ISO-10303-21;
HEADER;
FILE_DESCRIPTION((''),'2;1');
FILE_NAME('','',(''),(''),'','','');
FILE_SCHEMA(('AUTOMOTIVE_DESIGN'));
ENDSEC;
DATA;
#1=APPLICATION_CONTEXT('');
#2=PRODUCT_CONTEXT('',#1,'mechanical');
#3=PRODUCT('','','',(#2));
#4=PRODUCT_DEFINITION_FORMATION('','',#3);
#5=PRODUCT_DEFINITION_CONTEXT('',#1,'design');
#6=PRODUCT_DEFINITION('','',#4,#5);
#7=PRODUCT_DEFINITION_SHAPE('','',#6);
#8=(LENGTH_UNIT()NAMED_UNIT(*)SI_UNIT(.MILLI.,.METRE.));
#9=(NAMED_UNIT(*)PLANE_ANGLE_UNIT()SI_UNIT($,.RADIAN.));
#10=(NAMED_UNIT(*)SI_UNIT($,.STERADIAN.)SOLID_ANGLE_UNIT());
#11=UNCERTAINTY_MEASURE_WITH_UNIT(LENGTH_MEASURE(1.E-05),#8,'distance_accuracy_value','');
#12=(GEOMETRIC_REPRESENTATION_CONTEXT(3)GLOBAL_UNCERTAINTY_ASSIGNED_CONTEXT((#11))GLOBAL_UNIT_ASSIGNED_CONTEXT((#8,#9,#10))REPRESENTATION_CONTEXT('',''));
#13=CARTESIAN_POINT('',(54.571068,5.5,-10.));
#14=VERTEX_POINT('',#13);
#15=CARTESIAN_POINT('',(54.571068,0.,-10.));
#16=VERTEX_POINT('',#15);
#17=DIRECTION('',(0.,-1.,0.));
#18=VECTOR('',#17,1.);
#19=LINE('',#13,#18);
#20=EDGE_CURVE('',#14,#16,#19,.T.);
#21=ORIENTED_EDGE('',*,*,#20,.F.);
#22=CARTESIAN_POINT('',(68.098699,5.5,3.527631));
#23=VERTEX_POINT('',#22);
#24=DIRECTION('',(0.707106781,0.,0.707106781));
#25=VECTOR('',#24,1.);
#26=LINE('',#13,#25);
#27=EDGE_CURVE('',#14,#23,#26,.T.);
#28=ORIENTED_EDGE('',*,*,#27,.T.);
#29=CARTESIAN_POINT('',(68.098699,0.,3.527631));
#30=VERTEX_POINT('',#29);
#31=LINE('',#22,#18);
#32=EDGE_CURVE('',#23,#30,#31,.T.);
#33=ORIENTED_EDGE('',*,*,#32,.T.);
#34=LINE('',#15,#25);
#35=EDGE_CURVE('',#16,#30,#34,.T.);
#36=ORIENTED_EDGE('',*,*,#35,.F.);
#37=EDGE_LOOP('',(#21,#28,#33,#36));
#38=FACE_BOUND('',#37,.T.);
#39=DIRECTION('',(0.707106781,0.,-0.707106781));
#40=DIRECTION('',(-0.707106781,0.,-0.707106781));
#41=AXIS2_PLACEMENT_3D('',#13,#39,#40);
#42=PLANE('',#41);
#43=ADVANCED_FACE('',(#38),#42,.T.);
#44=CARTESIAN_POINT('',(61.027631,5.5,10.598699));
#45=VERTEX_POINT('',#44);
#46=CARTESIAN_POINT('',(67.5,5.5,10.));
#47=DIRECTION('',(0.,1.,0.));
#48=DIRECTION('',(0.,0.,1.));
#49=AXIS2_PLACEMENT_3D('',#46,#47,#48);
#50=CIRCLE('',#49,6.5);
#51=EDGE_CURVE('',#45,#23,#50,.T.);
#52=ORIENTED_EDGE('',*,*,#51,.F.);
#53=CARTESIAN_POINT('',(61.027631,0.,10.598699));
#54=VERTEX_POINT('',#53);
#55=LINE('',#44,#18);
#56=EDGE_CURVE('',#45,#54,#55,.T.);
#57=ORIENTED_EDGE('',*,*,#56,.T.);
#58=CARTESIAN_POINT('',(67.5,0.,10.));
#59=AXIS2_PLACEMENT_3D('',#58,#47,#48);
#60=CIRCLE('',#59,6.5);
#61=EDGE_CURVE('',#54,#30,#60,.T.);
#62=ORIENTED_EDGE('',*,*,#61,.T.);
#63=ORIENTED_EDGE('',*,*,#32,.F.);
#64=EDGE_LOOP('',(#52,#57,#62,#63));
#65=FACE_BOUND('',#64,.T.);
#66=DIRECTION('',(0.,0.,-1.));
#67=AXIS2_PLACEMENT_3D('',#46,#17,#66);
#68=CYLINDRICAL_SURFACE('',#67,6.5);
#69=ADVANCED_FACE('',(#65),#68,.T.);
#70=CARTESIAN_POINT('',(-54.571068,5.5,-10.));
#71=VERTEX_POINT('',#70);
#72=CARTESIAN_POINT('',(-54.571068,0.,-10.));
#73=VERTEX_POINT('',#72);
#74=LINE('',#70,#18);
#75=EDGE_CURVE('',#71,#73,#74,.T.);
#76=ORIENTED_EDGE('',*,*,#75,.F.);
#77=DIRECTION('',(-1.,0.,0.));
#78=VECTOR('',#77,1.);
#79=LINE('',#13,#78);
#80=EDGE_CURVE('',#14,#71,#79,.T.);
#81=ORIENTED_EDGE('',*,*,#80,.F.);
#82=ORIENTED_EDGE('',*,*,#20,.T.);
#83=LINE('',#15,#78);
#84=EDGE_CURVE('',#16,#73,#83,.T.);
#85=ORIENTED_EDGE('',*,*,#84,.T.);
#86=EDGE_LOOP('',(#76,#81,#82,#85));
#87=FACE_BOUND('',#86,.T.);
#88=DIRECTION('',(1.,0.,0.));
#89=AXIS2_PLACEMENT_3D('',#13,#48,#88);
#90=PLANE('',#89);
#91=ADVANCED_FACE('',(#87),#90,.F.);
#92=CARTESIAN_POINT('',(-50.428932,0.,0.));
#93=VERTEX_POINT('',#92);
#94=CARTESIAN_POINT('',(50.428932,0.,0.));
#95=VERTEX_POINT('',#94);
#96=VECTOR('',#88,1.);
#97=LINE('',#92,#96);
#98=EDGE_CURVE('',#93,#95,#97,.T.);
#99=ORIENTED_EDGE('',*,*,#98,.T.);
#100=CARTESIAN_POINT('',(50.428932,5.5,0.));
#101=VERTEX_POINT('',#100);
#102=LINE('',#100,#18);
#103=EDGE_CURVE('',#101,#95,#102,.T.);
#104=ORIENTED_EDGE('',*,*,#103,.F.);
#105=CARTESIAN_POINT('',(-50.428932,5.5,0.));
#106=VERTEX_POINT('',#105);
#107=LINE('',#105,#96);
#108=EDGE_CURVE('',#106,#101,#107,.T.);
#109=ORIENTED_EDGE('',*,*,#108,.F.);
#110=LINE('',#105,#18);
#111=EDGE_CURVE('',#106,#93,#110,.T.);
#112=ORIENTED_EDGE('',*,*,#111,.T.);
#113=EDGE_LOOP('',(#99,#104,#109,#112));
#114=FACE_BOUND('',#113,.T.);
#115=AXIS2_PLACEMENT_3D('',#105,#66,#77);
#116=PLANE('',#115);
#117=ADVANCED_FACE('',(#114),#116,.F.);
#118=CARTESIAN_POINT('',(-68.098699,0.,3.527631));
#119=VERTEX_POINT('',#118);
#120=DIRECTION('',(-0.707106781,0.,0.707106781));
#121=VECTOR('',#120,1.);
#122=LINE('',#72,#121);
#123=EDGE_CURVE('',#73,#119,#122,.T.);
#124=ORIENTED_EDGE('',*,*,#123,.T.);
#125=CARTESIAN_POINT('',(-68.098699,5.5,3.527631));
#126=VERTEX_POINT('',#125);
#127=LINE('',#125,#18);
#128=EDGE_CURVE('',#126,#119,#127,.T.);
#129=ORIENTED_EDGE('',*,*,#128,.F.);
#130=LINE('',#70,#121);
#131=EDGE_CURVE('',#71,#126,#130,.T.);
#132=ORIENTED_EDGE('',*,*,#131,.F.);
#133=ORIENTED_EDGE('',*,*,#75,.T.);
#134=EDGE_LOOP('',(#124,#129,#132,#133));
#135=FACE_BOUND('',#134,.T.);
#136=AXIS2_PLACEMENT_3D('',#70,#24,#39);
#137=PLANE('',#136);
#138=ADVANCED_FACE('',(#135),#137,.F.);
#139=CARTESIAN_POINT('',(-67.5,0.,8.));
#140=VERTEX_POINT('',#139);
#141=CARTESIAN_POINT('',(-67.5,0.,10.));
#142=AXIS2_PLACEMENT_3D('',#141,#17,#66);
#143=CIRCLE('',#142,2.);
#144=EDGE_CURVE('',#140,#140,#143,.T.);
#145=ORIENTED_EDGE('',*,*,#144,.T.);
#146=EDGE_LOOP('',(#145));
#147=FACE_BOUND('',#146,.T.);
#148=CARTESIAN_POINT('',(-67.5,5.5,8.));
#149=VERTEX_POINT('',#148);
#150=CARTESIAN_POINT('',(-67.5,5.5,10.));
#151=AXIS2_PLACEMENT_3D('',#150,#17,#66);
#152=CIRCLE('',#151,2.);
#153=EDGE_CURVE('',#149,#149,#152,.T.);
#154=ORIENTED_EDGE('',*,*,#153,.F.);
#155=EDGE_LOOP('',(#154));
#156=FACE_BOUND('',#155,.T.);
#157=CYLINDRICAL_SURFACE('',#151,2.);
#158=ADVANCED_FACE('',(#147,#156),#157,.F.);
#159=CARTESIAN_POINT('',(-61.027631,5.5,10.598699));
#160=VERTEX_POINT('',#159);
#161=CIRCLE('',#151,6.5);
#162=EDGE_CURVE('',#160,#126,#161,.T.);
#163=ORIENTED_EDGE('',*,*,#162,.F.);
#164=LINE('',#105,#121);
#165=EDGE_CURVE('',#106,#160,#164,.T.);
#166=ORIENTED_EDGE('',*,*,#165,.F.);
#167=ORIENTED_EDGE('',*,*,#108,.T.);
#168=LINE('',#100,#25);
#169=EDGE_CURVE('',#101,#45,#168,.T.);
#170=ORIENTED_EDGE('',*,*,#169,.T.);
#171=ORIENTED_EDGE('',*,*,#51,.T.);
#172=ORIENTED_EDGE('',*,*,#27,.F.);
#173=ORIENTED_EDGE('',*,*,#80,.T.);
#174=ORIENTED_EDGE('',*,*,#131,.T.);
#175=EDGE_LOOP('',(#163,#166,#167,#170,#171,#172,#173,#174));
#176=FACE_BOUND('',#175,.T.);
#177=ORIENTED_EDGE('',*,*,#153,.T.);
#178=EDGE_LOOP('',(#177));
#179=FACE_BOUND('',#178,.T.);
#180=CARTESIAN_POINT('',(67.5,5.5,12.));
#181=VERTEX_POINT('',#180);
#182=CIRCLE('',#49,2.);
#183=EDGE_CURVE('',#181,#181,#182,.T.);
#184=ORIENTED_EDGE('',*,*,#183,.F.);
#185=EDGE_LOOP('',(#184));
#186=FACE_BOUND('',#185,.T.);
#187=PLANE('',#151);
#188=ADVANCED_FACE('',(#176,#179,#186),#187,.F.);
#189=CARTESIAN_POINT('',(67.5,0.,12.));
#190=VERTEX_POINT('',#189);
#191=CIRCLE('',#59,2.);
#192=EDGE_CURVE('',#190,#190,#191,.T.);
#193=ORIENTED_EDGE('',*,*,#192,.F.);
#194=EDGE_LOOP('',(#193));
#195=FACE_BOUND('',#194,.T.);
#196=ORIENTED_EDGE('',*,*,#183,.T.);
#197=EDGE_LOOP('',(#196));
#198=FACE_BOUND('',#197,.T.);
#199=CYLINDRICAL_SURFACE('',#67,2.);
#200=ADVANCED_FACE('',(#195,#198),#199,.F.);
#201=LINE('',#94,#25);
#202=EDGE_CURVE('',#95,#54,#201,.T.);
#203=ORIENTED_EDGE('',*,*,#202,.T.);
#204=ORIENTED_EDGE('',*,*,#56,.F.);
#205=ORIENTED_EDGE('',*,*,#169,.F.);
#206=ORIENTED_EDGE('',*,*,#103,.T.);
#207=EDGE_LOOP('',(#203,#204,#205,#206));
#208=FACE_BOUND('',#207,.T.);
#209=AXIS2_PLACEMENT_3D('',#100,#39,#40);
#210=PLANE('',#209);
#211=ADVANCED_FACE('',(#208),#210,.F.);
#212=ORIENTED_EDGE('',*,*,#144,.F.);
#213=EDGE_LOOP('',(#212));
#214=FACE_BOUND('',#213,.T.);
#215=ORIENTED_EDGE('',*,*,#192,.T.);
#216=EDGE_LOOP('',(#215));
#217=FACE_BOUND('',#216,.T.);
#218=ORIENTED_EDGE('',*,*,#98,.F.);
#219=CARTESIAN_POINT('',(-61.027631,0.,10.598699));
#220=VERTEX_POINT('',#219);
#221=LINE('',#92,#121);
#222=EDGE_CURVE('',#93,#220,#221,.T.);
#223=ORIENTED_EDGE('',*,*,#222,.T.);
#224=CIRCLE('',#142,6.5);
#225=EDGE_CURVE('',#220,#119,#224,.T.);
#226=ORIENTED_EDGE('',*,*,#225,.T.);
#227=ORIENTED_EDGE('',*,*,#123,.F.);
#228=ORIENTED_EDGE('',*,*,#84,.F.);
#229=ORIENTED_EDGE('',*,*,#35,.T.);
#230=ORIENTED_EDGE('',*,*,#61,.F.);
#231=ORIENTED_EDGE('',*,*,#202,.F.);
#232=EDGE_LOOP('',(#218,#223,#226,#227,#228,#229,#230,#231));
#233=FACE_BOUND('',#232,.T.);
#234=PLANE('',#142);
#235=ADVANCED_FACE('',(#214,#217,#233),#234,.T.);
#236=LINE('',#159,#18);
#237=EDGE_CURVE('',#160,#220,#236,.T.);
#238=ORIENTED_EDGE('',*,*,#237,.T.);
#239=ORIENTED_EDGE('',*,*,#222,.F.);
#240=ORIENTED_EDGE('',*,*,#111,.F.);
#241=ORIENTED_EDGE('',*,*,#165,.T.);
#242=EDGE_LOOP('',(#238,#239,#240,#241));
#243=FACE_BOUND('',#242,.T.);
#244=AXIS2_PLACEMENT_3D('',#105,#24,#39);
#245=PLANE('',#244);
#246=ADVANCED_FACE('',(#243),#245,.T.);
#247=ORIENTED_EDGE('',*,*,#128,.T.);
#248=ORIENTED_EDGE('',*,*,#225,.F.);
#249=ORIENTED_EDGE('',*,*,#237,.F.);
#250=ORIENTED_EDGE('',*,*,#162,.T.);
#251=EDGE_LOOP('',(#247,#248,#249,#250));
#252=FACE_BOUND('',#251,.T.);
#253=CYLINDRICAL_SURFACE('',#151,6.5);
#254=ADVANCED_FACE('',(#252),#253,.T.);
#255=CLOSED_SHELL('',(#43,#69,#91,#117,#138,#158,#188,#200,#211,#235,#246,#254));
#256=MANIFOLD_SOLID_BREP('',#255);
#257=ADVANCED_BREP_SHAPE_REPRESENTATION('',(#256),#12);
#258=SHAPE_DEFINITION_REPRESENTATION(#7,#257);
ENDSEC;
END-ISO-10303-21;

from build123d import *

# Parameters (mm, degrees)
SKETCH1_R           = 2
BOSS_EXTRUDE1_DEPTH = 5.5


with BuildPart() as part:
    # Sketch1 → Boss-Extrude1 (new body)
    with BuildSketch(Plane(origin=(0, 0, 0), x_dir=(1, 0, 0), z_dir=(0, 1, 0))):
        with BuildLine():
            Line((-50.428932188, 0), (50.428932188, 0))
            Line((50.428932188, 0), (61.027631063, -10.598698875))
            ThreePointArc((61.027631063, -10.598698875), (72.096194078, -14.596194078), (68.098698875, -3.527631063))
            Line((68.098698875, -3.527631063), (54.571067812, 10))
            Line((54.571067812, 10), (-54.571067812, 10))
            Line((-54.571067812, 10), (-68.098698875, -3.527631063))
            ThreePointArc((-68.098698875, -3.527631063), (-72.096194078, -14.596194078), (-61.027631063, -10.598698875))
            Line((-61.027631063, -10.598698875), (-50.428932188, 0))
        make_face()
        with Locations(Location((67.5, -10, 0), (0, 0, 270))):
            Circle(SKETCH1_R, mode=Mode.SUBTRACT)
        with Locations(Location((-67.5, -10, 0), (0, 0, 90))):
            Circle(SKETCH1_R, mode=Mode.SUBTRACT)
    extrude(amount=BOSS_EXTRUDE1_DEPTH)


solid = part.part
